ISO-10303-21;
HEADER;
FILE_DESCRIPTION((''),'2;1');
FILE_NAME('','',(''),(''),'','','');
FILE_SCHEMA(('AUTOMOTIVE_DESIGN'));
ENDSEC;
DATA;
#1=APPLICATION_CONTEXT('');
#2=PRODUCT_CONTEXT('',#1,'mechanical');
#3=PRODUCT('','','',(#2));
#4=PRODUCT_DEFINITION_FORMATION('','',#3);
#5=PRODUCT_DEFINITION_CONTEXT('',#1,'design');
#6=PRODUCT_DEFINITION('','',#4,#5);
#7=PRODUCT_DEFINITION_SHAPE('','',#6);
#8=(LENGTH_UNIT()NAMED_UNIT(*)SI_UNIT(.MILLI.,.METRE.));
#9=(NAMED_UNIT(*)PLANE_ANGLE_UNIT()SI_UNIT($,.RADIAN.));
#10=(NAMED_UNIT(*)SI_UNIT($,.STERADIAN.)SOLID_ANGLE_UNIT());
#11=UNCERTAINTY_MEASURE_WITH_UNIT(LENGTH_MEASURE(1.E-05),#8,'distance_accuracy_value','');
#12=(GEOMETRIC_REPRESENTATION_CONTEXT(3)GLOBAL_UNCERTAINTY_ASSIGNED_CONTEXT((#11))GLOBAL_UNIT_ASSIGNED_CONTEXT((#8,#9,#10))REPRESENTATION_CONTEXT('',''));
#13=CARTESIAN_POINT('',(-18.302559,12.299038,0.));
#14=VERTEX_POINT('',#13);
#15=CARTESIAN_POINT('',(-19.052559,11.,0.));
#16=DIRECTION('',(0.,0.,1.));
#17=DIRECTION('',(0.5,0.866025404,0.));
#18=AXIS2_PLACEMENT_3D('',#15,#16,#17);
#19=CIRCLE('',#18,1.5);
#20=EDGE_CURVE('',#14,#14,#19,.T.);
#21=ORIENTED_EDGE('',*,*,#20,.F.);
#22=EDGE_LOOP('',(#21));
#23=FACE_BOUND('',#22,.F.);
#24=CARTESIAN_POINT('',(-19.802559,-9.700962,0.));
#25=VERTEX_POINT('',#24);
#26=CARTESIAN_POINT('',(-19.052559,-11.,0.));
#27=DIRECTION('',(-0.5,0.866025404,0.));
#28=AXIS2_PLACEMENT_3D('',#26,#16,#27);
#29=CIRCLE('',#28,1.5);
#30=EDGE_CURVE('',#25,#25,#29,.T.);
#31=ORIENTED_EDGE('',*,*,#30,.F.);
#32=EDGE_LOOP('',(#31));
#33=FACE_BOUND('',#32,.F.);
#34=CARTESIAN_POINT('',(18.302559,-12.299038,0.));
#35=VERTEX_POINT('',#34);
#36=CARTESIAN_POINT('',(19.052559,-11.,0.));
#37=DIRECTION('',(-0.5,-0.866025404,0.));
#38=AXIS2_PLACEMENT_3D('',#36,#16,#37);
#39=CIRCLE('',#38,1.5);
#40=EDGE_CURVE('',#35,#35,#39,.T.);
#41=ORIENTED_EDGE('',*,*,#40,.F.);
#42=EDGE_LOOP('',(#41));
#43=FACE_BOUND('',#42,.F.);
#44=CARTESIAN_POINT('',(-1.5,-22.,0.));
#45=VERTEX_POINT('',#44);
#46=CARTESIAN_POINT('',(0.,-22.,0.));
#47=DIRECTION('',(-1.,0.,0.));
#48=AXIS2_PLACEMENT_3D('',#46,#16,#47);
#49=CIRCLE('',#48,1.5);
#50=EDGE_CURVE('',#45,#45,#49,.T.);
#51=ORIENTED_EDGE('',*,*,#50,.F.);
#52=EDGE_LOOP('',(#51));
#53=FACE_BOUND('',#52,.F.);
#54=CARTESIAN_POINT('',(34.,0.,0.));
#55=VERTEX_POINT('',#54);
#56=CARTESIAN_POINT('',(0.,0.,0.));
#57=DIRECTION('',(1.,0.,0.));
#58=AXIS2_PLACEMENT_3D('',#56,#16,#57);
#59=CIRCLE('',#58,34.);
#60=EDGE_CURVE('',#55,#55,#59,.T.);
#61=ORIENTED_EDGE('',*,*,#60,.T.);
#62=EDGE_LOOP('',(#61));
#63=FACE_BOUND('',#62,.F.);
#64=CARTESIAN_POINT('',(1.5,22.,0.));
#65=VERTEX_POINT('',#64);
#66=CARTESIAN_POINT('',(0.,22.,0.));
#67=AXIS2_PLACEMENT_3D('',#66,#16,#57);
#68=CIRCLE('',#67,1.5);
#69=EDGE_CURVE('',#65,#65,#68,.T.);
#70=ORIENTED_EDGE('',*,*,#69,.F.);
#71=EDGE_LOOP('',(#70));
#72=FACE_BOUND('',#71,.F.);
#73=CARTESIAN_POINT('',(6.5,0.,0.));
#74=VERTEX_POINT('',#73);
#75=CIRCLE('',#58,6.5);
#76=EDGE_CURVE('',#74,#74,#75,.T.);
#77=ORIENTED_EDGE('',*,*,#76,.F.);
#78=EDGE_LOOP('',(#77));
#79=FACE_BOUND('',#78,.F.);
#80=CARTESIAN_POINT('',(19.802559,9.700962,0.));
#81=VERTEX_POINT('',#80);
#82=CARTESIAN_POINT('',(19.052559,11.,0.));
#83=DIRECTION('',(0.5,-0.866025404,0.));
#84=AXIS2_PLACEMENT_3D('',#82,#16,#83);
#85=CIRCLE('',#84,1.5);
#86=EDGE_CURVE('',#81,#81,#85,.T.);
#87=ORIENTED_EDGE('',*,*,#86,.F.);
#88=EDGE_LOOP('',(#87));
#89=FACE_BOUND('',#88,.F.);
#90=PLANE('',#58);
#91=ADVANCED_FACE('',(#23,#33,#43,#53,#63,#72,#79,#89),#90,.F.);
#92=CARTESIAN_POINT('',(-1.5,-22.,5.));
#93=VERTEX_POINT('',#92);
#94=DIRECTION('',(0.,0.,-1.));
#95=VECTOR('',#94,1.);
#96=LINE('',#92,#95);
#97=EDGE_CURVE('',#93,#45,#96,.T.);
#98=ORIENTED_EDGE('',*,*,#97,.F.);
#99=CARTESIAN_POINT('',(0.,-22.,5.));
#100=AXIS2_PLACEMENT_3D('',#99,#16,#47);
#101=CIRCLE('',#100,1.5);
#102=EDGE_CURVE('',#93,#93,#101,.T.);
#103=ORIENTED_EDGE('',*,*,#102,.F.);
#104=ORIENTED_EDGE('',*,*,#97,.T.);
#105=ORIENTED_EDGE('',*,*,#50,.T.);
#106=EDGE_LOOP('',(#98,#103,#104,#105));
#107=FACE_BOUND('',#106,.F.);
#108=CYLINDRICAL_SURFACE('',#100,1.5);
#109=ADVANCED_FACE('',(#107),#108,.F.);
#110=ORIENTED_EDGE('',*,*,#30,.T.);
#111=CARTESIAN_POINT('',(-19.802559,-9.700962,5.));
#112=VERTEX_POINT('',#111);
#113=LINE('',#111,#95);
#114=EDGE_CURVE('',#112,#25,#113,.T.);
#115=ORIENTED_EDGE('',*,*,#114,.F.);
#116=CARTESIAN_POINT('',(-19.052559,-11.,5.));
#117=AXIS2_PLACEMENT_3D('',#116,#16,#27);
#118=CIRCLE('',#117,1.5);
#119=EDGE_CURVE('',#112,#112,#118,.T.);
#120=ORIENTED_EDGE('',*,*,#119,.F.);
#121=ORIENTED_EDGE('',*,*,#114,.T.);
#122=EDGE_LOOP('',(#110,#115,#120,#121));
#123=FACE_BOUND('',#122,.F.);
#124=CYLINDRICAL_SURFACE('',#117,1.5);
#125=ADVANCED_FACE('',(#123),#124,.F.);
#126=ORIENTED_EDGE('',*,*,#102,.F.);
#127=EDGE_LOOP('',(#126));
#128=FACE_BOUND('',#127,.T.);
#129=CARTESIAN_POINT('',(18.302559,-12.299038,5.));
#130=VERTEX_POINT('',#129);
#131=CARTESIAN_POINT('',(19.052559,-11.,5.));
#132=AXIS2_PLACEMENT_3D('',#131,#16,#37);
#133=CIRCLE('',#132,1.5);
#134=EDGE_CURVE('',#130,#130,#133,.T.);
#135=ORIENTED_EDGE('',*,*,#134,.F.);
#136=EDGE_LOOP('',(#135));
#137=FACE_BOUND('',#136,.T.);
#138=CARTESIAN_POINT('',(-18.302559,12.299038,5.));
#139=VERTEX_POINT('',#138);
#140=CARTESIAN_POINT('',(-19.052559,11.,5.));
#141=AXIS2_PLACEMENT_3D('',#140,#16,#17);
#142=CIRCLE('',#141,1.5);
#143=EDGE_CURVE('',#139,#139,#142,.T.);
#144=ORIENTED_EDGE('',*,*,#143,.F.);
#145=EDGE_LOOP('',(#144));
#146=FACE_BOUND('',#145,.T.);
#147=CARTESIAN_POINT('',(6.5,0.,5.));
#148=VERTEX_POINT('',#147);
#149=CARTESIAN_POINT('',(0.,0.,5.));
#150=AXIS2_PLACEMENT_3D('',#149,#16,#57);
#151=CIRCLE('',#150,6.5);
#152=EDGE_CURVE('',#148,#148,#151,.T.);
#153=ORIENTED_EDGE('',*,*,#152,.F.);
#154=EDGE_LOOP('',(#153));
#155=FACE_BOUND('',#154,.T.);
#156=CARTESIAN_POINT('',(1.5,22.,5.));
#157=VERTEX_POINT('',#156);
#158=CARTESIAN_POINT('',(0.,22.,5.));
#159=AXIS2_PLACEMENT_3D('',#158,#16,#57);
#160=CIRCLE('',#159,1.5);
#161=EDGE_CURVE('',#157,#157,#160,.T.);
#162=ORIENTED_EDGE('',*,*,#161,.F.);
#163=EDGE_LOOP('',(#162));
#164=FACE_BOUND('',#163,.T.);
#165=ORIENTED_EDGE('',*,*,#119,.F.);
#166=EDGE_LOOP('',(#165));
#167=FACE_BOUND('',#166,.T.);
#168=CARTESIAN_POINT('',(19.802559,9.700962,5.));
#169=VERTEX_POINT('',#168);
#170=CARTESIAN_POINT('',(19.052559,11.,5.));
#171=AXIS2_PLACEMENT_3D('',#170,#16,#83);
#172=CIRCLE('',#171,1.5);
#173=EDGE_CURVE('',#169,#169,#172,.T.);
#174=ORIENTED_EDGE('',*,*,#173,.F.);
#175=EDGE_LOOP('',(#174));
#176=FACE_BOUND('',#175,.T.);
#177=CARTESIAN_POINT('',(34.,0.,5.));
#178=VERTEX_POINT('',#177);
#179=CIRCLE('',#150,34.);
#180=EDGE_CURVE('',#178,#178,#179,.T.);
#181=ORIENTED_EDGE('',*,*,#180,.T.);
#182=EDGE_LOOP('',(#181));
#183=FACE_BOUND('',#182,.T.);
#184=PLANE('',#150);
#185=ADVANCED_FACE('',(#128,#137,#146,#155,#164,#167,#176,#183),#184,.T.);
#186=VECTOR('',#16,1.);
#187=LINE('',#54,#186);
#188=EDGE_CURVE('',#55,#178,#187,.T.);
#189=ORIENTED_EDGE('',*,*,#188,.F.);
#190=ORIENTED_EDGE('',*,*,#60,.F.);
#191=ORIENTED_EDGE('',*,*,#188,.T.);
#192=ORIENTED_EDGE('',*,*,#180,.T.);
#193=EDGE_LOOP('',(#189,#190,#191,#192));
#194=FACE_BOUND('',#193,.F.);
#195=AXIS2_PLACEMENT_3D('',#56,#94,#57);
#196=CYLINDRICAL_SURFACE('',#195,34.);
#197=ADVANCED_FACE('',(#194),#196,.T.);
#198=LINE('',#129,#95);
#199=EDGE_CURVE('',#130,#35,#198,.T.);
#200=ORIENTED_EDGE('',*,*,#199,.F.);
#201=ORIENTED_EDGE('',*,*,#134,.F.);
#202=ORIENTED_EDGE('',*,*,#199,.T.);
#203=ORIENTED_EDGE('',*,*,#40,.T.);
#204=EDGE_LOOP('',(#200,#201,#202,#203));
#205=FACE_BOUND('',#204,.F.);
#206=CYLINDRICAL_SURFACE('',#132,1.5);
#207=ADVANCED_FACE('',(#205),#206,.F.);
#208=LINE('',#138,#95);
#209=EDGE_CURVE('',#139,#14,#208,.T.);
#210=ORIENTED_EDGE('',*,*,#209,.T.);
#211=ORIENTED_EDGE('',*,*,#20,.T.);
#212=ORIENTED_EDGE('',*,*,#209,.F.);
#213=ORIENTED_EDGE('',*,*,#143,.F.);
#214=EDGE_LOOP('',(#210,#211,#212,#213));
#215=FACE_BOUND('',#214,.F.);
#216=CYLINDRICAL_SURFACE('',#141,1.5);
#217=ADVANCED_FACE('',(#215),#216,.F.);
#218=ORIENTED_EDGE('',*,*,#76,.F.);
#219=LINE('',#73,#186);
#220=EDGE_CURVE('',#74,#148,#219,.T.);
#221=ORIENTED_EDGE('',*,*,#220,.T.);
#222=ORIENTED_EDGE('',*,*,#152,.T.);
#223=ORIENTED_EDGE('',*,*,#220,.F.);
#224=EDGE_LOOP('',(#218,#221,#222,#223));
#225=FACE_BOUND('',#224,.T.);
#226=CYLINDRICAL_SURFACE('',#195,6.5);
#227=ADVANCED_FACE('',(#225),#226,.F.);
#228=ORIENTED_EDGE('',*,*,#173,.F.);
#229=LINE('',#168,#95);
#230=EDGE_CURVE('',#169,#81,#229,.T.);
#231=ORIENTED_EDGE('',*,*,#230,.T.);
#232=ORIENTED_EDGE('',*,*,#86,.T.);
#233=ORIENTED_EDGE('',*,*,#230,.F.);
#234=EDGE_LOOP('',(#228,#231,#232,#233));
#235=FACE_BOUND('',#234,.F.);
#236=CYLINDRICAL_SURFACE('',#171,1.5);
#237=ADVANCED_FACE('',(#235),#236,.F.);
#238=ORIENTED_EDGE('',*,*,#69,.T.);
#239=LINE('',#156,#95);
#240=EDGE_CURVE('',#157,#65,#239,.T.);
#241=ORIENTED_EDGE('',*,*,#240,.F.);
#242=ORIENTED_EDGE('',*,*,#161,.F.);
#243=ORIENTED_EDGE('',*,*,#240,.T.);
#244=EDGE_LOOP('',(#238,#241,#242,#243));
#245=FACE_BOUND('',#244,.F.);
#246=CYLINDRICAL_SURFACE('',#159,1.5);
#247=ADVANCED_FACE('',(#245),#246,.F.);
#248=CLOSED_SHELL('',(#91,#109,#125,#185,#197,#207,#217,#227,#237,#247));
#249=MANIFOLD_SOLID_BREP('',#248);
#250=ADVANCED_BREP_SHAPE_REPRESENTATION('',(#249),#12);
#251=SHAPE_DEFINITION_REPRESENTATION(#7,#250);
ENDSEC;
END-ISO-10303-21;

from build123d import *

# Parameters (mm, degrees)
SKETCH_R           = 34
SKETCH_R_2         = 6.5
PAD_DEPTH          = 5
SKETCH001_R        = 1.5
POCKET_DEPTH       = 10
POLARPATTERN_COUNT = 6


with BuildPart() as part:
    # Sketch → Pad (new body)
    with BuildSketch(Plane.XY):
        Circle(SKETCH_R)
        Circle(SKETCH_R_2, mode=Mode.SUBTRACT)
    extrude(amount=PAD_DEPTH)

    # Sketch001 (on Face4 of Pad) → Pocket (cut)
    with BuildSketch(Plane.XY.offset(5)):
        with Locations((0, 22)):
            Circle(SKETCH001_R)
    pocket = extrude(amount=-POCKET_DEPTH, mode=Mode.SUBTRACT)

    # PolarPattern: Pocket ×6 about axis
    polarpattern_axis = Axis((0, 0, 5), (0, 0, 1))
    for i in range(1, POLARPATTERN_COUNT):
        add(pocket.rotate(polarpattern_axis, i * 360 / POLARPATTERN_COUNT), mode=Mode.SUBTRACT)


solid = part.part
